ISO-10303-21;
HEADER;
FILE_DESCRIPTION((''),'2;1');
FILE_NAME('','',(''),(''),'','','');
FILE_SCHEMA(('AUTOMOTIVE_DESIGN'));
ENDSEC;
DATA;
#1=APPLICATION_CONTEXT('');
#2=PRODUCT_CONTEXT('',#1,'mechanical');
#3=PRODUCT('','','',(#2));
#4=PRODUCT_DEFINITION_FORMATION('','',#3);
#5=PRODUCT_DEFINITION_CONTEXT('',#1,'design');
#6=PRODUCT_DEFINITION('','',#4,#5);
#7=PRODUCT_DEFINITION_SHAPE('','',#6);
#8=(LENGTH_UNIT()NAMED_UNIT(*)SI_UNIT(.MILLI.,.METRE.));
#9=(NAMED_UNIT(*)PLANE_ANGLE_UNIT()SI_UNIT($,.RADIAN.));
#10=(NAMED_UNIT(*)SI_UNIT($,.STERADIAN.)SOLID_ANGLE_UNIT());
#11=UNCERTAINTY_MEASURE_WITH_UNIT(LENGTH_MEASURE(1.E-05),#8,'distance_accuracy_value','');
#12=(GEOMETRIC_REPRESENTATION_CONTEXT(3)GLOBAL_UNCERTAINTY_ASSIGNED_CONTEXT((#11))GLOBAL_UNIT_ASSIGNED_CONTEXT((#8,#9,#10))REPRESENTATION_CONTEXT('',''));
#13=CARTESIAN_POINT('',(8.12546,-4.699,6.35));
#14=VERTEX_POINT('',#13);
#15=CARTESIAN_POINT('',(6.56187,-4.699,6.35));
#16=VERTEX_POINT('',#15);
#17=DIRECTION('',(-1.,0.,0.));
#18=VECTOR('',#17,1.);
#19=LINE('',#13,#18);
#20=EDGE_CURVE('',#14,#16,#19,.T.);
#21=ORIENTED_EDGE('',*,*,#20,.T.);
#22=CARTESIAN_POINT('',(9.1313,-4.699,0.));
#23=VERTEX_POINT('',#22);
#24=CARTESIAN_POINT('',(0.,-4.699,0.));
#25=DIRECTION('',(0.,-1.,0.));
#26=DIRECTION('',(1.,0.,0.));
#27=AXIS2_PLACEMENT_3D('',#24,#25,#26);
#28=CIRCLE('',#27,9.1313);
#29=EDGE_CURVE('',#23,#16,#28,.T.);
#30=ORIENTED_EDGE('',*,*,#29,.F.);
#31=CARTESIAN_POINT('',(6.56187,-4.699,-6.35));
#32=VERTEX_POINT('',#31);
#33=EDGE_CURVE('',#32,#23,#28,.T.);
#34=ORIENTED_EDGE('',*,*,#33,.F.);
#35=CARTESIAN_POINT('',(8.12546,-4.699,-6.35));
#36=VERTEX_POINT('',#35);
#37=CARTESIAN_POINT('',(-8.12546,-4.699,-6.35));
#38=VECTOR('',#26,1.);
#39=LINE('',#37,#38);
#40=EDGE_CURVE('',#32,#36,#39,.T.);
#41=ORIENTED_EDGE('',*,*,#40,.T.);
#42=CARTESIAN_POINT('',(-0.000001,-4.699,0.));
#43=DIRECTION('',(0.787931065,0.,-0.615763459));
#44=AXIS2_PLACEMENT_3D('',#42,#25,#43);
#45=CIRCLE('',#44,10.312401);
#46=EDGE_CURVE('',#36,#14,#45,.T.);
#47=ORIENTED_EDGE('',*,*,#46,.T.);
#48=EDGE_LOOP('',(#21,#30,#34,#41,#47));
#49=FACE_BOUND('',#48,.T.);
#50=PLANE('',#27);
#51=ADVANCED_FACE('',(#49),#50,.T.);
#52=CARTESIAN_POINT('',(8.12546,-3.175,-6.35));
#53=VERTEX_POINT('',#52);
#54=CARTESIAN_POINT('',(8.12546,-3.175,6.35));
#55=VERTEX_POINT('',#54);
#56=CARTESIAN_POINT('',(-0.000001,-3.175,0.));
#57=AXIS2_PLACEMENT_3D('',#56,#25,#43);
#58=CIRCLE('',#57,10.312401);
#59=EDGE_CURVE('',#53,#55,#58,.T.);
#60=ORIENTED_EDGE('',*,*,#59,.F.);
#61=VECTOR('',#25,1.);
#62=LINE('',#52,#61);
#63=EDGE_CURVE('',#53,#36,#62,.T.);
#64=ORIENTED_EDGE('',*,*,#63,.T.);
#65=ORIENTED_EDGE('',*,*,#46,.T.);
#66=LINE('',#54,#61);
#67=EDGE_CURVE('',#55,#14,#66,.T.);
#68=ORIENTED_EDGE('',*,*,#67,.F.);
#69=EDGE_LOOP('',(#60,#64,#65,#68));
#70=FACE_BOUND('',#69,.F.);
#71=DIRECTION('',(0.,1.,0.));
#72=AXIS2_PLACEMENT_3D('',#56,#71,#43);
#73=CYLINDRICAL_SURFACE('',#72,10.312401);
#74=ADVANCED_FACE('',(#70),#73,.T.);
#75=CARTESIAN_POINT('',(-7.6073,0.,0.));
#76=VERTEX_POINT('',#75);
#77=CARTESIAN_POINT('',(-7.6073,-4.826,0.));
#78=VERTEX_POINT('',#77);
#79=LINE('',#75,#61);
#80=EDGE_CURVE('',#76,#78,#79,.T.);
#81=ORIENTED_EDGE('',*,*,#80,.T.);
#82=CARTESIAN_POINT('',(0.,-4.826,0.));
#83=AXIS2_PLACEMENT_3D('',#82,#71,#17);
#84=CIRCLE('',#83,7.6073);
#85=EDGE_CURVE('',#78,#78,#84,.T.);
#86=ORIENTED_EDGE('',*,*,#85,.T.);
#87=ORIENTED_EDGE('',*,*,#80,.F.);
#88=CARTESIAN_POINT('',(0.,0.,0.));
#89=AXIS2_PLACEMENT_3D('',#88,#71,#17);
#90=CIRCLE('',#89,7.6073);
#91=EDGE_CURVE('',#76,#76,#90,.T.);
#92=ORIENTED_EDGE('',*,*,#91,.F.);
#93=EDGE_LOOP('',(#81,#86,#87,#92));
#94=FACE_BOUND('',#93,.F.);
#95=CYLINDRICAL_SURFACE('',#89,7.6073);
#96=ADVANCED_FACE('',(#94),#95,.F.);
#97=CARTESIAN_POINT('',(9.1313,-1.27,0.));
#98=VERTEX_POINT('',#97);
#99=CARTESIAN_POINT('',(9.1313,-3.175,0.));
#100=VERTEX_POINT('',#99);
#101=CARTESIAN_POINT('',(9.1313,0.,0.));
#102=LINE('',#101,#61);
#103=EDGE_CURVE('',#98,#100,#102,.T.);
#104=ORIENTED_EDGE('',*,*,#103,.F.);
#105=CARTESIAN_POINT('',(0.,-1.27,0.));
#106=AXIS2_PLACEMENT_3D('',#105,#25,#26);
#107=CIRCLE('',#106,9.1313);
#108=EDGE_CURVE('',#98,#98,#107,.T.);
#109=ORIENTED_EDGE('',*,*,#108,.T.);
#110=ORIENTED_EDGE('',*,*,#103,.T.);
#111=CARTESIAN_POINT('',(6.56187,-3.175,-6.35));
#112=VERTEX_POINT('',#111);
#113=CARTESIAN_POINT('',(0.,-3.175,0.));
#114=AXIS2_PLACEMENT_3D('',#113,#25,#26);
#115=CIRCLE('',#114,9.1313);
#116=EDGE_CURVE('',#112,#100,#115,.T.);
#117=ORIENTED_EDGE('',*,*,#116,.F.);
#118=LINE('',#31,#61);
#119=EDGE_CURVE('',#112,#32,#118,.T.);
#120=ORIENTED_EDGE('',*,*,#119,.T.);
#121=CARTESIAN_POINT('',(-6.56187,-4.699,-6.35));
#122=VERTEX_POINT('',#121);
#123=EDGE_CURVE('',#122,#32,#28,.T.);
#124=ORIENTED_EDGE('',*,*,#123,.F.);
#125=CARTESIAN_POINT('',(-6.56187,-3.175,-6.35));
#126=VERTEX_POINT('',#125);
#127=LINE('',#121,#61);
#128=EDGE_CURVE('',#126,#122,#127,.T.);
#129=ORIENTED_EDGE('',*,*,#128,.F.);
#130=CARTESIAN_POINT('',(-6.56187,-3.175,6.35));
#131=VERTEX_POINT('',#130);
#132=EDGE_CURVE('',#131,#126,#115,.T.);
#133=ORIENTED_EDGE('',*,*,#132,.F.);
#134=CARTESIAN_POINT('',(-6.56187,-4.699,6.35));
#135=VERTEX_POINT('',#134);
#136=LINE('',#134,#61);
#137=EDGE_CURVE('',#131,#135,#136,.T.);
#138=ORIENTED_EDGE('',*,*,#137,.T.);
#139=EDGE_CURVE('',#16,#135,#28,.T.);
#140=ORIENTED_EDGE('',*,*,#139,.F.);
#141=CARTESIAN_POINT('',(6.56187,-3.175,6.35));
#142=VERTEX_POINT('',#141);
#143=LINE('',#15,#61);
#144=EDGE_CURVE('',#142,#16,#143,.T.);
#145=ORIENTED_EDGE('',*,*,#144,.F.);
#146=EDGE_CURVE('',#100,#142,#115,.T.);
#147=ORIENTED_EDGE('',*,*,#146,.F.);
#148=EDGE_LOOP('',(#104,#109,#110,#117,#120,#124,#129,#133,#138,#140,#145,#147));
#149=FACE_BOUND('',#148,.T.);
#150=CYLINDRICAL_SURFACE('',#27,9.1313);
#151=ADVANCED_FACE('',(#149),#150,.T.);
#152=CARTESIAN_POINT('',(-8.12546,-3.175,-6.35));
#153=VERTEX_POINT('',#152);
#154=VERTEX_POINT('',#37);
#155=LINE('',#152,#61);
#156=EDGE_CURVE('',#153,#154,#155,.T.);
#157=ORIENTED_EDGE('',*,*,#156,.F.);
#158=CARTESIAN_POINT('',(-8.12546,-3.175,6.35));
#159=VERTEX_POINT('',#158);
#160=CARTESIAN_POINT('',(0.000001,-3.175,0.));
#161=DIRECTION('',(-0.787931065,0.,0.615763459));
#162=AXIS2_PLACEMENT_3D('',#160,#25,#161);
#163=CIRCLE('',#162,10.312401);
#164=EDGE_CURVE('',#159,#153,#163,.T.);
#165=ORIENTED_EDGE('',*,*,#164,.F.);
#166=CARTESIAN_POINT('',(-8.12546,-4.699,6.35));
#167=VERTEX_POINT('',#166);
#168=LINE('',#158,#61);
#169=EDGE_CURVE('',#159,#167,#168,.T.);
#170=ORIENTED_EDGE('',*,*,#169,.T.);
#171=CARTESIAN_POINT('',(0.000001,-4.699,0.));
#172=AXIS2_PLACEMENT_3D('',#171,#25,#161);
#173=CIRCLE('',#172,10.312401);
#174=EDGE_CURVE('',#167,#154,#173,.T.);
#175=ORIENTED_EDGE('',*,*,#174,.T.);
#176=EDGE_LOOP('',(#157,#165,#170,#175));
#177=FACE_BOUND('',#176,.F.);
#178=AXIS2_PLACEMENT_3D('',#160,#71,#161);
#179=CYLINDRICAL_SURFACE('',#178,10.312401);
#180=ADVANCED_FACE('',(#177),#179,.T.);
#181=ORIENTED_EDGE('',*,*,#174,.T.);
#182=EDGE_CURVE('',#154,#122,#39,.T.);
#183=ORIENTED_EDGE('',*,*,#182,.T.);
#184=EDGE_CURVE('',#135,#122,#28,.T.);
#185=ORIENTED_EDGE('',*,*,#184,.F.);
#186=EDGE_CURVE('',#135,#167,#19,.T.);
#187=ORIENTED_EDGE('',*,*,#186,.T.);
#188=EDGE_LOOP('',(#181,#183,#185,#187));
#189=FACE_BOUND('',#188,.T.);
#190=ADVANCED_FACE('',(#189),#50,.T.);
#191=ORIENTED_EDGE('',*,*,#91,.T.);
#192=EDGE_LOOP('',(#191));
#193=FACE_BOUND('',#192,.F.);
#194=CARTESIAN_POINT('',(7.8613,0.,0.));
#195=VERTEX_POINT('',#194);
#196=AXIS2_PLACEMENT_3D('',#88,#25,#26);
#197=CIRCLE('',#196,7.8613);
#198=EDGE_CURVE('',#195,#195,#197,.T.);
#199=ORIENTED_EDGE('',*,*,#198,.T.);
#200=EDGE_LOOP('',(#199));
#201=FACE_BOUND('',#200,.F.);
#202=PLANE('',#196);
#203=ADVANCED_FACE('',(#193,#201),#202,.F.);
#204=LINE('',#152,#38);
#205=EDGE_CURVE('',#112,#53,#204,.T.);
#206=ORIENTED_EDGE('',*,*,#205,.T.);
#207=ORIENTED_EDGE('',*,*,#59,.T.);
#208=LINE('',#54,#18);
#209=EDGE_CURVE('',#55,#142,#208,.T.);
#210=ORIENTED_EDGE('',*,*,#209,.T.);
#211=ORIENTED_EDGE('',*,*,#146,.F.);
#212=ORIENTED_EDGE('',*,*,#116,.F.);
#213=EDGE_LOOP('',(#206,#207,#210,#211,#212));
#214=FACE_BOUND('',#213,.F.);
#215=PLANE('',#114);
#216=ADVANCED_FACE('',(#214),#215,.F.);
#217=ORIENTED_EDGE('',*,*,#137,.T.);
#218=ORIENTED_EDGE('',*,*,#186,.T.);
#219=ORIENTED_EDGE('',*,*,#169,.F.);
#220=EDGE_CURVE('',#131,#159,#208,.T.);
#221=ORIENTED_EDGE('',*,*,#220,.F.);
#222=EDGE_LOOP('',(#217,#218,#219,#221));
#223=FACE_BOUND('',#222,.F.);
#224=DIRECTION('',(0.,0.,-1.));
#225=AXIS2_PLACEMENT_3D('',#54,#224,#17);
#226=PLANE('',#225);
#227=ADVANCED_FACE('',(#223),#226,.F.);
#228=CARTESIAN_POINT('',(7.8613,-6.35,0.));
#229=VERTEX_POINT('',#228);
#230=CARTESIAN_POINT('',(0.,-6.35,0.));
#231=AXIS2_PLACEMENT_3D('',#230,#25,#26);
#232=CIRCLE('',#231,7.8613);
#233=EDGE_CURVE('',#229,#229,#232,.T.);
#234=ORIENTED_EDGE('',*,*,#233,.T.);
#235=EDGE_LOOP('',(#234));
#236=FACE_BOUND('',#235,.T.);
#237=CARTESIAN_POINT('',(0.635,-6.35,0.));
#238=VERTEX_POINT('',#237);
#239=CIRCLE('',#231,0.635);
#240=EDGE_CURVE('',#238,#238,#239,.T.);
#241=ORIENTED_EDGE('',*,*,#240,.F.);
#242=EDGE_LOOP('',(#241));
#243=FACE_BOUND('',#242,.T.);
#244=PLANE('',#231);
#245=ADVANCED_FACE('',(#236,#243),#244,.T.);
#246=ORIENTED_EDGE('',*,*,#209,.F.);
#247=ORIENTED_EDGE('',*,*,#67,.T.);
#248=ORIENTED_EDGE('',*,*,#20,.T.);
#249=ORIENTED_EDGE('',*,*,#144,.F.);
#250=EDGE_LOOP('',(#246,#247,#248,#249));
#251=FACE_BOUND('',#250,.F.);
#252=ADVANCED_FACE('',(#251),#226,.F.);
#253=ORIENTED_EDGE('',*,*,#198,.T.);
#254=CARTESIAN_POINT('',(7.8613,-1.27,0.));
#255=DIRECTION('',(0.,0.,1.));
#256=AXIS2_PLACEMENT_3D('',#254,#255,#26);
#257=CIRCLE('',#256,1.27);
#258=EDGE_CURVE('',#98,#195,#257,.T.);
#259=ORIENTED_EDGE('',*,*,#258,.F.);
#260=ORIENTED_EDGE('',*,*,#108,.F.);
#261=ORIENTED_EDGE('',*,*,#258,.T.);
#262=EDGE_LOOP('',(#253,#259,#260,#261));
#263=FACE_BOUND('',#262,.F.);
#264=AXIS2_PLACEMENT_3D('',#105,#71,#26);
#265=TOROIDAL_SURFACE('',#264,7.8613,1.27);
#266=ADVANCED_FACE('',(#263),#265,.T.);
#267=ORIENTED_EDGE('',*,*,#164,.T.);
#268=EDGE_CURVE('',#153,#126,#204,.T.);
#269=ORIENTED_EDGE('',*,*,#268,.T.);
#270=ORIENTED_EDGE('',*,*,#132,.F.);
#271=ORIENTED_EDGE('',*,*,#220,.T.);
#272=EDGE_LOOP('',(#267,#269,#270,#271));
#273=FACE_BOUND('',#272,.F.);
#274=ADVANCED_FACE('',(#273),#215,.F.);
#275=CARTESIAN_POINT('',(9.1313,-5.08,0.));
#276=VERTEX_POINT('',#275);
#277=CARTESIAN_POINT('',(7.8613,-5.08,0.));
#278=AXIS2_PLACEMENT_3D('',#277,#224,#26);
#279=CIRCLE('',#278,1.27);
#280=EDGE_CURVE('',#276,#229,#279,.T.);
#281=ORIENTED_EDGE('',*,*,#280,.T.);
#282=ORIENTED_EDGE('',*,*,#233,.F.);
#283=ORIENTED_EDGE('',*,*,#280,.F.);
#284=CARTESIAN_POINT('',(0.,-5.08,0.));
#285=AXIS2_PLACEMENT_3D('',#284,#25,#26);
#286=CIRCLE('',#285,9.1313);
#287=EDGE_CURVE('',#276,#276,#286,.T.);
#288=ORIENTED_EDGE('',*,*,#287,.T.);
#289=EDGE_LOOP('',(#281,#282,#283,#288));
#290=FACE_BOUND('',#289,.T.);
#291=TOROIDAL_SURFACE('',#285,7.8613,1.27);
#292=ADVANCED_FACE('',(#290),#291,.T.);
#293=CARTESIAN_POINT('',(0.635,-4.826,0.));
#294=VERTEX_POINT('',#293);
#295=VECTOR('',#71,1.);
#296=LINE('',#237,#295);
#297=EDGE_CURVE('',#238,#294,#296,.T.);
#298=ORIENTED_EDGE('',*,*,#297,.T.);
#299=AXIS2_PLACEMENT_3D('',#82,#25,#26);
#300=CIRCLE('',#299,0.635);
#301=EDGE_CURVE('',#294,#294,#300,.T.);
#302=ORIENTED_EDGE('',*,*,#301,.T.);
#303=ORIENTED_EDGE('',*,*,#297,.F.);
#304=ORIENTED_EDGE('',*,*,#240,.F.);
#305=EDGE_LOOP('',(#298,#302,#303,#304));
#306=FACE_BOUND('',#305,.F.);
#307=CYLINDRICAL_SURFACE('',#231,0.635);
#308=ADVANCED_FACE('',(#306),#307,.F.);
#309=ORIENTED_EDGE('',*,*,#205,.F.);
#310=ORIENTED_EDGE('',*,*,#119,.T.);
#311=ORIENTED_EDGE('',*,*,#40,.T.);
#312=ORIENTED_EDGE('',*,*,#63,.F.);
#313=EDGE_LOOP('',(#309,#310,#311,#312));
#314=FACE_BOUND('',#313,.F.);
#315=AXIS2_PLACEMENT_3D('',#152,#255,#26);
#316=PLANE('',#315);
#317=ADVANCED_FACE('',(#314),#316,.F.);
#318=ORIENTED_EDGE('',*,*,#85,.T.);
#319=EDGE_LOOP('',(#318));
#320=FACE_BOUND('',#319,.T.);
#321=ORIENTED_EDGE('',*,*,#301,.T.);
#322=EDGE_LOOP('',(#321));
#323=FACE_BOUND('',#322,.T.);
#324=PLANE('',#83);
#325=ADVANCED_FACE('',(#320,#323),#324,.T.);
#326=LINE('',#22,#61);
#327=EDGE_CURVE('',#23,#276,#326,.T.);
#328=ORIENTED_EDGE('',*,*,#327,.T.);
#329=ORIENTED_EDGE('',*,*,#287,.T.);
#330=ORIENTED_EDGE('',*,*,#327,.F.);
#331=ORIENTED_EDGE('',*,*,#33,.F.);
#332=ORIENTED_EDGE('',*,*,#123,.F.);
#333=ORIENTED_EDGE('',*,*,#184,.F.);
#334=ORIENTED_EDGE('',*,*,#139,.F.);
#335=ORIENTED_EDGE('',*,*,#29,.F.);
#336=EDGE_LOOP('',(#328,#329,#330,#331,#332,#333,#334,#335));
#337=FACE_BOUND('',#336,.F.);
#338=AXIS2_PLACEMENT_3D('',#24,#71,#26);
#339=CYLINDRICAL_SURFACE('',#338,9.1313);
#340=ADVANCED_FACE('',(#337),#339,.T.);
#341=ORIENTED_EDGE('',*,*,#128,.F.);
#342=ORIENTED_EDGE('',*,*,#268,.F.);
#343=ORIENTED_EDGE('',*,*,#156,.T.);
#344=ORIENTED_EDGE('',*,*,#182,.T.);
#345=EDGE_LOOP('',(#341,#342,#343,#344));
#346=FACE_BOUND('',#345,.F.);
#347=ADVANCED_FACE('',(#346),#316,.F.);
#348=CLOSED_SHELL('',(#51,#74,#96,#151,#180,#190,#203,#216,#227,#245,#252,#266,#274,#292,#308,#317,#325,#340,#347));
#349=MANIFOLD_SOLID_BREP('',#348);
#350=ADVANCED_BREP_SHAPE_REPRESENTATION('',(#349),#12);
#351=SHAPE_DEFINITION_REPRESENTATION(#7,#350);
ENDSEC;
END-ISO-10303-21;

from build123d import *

# Parameters (mm, degrees)
F0_R           = 9.1313
F1_DEPTH       = 3.175
F3_DEPTH       = 1.524
F4_R           = 9.1313
F5_DEPTH       = 1.524
F6_R           = 9.1313
F7_DEPTH       = 1.651
F8_R           = 7.6073
F9_DEPTH       = 4.826
F10_R          = 0.635
F11_DEPTH      = 25.4
F11_DEPTH_BACK = 25.4
F12_R          = 1.27
F13_R          = 1.27


with BuildPart() as f1:
    # F0 (on Front) → F1 (new body)
    with BuildSketch(Plane.XZ):
        Circle(F0_R)
    extrude(amount=F1_DEPTH)

    # F2 (on face) → F3 (join)
    with BuildSketch(Plane.XZ.offset(3.175)):
        with BuildLine():
            Line((8.12546, 6.35), (-8.12546, 6.35))
            ThreePointArc((-8.12546, 6.35), (-10.3124, 0), (-8.12546, -6.35))
            Line((-8.12546, -6.35), (8.12546, -6.35))
            ThreePointArc((8.12546, -6.35), (10.3124, 0), (8.12546, 6.35))
        make_face()
    extrude(amount=F3_DEPTH)

    # F4 (on face) → F5 (join)
    with BuildSketch(Plane.XZ.offset(4.699)):
        Circle(F4_R)
    extrude(amount=-F5_DEPTH)

    # F6 (on face) → F7 (join)
    with BuildSketch(Plane.XZ.offset(4.699)):
        Circle(F6_R)
    extrude(amount=F7_DEPTH)

    # F8 (on face) → F9 (cut)
    with BuildSketch(Plane(origin=(0, 0, 0), x_dir=(-1, 0, 0), z_dir=(0, 1, 0))):
        Circle(F8_R)
    extrude(amount=-F9_DEPTH, mode=Mode.SUBTRACT)

    # F10 (on face) → F11 (cut, two sides)
    with BuildSketch(Plane.XZ.offset(6.35)) as f11_sk:
        Circle(F10_R)
    extrude(amount=-F11_DEPTH, mode=Mode.SUBTRACT)
    extrude(f11_sk.sketch, amount=-F11_DEPTH_BACK, mode=Mode.SUBTRACT)

    # F12
    f12_edges = [f1.edges().sort_by_distance(p)[0] for p in [
        (-9.1313, -6.35, 0),
    ]]
    fillet(f12_edges, radius=F12_R)

    # F13
    f13_edges = [f1.edges().sort_by_distance(p)[0] for p in [
        (-9.1313, 0, 0),
    ]]
    fillet(f13_edges, radius=F13_R)


solid = f1.part
